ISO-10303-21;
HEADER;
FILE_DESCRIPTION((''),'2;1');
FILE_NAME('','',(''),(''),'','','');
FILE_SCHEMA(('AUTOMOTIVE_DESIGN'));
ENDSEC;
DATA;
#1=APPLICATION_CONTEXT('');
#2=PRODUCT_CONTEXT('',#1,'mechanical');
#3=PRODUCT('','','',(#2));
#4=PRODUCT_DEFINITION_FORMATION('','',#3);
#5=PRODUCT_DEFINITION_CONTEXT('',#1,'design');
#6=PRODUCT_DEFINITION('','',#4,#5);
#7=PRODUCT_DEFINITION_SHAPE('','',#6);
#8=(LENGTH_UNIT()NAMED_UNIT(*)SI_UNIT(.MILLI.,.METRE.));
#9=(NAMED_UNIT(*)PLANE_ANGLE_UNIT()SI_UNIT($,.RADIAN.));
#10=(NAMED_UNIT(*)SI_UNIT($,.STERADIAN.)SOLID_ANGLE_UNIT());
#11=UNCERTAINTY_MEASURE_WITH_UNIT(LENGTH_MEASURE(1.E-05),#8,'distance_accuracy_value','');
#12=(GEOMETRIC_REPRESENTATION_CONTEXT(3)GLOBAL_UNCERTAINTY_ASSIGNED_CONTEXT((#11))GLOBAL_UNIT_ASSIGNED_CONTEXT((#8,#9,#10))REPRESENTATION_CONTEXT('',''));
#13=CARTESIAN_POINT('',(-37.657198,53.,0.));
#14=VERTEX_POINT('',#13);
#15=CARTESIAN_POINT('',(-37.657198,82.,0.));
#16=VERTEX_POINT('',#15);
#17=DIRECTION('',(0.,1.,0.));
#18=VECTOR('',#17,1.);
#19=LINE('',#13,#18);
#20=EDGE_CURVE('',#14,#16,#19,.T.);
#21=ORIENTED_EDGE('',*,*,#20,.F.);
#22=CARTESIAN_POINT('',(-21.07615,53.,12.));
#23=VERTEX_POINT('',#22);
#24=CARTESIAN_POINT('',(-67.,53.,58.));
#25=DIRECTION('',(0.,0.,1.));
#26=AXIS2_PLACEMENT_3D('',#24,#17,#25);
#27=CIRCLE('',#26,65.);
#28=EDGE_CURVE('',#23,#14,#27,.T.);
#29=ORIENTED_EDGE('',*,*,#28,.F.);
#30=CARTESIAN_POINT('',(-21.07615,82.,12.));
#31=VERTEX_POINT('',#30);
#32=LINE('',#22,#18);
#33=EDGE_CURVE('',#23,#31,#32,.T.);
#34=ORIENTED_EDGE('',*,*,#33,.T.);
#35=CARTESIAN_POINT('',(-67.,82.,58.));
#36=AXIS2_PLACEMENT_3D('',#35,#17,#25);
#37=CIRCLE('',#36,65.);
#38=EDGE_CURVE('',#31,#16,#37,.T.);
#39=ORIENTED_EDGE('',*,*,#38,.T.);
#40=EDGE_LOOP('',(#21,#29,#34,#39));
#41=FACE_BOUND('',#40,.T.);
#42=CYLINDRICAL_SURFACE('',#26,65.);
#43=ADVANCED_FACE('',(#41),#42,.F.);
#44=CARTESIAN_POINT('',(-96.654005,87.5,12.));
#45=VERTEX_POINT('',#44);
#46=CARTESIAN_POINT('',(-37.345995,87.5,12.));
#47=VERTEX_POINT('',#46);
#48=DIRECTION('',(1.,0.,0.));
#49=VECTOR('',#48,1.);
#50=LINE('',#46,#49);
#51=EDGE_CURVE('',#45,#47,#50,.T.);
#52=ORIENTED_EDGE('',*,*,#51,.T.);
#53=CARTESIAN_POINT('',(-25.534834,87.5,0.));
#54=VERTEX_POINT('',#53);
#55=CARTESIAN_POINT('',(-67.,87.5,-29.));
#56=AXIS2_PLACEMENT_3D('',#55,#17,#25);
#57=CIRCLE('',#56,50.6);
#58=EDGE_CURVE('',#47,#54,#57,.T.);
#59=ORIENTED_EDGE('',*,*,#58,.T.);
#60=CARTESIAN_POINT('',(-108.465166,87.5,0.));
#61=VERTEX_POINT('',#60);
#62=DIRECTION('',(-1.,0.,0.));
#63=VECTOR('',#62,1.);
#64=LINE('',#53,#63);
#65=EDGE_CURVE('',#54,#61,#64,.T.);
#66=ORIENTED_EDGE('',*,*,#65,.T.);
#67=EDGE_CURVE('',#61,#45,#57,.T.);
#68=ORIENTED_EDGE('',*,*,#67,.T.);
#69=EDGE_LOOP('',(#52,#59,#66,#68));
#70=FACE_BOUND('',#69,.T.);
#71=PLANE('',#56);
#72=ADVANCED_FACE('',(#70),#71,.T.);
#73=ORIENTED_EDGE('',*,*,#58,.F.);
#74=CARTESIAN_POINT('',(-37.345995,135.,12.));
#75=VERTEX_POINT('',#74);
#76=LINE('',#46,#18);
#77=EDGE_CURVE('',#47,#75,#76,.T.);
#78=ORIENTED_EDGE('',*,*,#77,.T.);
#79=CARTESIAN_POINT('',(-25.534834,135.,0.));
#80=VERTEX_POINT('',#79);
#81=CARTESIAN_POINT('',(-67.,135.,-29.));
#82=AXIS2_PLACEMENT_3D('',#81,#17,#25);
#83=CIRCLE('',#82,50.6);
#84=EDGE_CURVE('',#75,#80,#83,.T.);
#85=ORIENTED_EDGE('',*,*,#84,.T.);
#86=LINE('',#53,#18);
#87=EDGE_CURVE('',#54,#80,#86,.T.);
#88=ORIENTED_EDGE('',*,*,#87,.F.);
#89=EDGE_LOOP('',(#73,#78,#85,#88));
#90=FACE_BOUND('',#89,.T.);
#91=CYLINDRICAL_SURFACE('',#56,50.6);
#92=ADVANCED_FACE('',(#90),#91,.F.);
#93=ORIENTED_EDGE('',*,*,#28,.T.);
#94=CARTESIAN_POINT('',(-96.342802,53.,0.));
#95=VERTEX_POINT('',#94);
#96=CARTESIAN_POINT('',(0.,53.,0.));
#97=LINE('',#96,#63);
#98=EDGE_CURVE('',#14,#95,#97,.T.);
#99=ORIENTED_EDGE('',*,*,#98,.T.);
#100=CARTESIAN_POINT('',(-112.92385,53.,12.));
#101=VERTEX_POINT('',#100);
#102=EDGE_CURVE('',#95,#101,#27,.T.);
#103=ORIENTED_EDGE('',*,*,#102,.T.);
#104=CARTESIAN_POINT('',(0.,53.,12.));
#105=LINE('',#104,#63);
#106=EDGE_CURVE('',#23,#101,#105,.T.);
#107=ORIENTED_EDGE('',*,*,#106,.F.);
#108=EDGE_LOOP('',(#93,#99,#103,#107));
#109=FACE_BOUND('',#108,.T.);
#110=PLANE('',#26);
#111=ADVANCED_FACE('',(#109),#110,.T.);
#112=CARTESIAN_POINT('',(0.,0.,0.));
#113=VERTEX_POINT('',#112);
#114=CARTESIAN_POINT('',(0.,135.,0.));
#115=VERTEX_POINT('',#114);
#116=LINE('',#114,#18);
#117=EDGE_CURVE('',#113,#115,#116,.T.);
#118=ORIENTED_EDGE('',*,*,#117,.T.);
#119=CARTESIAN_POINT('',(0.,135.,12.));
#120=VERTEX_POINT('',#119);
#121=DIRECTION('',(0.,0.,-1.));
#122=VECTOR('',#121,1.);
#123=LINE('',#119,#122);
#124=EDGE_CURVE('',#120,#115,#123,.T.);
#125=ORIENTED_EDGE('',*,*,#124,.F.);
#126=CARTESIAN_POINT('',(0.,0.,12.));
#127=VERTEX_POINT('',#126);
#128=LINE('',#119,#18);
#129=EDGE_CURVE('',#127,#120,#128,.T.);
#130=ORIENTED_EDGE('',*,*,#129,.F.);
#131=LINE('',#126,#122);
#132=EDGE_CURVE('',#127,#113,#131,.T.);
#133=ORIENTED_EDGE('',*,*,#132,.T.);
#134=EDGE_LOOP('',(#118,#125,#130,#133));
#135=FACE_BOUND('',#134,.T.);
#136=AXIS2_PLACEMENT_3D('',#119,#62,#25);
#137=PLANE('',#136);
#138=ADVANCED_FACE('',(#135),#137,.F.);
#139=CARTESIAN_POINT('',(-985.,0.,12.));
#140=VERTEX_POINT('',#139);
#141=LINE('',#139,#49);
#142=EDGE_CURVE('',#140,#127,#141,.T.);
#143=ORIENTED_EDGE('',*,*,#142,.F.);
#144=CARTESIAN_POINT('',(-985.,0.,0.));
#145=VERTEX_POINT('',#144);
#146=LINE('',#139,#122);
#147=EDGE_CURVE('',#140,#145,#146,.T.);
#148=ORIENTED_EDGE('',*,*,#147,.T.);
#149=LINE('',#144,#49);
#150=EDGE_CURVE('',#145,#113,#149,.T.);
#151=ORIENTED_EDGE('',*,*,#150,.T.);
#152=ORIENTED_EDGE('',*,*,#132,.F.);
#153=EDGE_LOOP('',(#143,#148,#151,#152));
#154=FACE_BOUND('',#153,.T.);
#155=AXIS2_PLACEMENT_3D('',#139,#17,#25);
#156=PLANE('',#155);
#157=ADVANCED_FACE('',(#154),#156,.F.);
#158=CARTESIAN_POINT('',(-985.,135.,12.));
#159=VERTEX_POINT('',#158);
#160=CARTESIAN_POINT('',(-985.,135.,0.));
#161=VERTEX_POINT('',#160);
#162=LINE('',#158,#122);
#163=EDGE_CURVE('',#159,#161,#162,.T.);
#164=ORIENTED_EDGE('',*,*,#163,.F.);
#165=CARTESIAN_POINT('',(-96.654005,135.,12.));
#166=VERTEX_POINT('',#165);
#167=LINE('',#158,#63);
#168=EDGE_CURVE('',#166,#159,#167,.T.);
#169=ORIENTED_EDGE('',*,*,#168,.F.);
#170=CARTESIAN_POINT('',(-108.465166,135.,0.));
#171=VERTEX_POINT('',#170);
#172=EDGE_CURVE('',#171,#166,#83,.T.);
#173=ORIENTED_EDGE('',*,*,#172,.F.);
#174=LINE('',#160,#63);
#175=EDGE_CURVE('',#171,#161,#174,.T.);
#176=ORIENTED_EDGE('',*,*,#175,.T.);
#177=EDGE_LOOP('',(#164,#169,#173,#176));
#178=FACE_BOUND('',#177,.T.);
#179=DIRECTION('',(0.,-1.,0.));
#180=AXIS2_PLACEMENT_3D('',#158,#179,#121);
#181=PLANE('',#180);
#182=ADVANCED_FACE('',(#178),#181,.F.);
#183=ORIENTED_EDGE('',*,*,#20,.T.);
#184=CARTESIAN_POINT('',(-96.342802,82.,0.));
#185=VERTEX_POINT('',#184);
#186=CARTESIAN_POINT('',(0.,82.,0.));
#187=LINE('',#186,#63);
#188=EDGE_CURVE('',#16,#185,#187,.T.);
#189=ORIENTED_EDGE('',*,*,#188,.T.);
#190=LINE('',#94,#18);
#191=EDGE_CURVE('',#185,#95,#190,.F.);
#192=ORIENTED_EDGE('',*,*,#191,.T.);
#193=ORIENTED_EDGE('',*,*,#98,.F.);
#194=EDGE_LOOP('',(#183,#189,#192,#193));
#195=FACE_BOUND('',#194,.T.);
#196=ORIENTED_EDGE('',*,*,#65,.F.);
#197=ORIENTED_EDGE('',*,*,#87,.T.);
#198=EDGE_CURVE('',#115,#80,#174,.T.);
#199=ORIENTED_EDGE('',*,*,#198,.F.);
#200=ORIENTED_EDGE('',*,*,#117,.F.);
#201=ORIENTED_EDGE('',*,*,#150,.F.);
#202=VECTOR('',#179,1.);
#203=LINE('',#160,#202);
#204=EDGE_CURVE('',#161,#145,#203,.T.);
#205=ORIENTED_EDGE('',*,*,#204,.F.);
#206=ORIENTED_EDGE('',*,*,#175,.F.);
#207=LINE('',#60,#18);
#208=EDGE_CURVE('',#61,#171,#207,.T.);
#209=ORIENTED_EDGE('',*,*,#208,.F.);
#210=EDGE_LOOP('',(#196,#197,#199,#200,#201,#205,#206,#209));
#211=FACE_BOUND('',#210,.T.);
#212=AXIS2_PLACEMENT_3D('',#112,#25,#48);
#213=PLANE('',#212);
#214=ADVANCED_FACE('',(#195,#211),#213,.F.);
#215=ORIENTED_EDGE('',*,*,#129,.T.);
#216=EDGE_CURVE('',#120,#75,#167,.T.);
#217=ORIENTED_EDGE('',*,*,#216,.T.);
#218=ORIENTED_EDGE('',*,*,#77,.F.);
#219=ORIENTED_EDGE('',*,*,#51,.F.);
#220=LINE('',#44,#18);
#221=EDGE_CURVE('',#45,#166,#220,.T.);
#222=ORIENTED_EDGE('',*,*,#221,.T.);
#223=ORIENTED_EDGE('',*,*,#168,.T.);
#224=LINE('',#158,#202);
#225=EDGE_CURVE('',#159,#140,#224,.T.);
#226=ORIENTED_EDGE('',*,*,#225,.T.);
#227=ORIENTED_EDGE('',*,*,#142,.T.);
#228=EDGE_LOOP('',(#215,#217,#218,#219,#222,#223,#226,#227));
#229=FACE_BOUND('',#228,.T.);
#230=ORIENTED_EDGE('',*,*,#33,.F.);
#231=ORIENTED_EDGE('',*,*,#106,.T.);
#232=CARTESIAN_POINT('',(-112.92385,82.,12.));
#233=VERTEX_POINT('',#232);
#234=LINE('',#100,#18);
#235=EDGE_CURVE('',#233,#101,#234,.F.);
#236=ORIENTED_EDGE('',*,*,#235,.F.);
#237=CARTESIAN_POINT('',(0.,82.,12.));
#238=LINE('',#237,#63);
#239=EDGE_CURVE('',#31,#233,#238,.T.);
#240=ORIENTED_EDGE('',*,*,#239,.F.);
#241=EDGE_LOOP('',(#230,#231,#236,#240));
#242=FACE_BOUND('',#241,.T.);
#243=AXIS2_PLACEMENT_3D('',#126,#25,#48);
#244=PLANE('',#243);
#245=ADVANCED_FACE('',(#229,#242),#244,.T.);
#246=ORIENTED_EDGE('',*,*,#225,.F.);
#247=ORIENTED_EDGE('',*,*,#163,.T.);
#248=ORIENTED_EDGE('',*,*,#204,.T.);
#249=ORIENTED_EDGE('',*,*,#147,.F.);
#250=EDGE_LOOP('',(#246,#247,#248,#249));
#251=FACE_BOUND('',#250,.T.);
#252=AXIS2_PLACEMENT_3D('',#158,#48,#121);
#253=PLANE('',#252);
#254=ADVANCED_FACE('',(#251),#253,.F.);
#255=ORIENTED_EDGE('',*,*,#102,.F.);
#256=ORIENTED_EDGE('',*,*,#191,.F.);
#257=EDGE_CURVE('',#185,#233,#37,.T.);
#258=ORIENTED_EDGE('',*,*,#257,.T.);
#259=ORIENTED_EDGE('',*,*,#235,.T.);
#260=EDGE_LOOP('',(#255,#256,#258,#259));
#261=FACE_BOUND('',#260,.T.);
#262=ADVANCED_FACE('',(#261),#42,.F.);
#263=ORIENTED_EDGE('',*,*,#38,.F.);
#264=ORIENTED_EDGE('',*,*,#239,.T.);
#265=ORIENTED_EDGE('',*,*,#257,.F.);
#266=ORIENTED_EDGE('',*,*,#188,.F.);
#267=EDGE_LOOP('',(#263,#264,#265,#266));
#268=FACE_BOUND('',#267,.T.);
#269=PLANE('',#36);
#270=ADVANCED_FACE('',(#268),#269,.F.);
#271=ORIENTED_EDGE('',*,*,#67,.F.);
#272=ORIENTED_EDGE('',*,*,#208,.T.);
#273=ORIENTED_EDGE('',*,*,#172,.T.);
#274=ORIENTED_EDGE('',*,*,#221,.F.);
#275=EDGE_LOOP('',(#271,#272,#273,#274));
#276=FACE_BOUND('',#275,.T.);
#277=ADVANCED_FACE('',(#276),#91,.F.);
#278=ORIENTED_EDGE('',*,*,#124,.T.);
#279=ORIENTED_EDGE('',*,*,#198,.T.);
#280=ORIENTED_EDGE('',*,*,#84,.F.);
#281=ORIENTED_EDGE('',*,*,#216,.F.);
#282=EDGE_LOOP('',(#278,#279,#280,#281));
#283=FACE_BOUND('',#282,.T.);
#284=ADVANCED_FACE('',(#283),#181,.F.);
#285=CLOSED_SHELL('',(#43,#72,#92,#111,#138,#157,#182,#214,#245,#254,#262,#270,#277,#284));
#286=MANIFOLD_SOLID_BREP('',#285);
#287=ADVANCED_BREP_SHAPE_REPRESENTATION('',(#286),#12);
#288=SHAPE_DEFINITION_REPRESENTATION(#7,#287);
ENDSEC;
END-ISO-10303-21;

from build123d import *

# Parameters (mm, degrees)
CROQUIS1_W              = 985
CROQUIS1_H              = 135
SALIENTE_EXTRUIR1_DEPTH = 12
CORTAR_EXTRUIR1_DEPTH   = 47.5
CROQUIS3_R              = 65
CORTAR_EXTRUIR2_DEPTH   = 29


with BuildPart() as part:
    # Croquis1 → Saliente-Extruir1 (new body)
    with BuildSketch(Plane.XY):
        with Locations((-492.5, 67.5)):
            Rectangle(CROQUIS1_W, CROQUIS1_H)
    extrude(amount=SALIENTE_EXTRUIR1_DEPTH)

    # Croquis2 → Cortar-Extruir1 (cut)
    with BuildSketch(Plane(origin=(0, 135, 0), x_dir=(1, 0, 0), z_dir=(0, 1, 0))):
        with BuildLine():
            Line((-25.534833896, 0), (-108.465166104, 0))
            ThreePointArc((-108.465166104, 0), (-103.062225626, -6.494730354), (-96.654004789, -12))
            Line((-96.654004789, -12), (-37.345995211, -12))
            ThreePointArc((-37.345995211, -12), (-30.937774374, -6.494730354), (-25.534833896, 0))
        make_face()
    extrude(amount=-CORTAR_EXTRUIR1_DEPTH, mode=Mode.SUBTRACT)

    # Croquis3 → Cortar-Extruir2 (cut)
    with BuildSketch(Plane(origin=(0, 82, 0), x_dir=(1, 0, 0), z_dir=(0, 1, 0))):
        with Locations((-67, -58)):
            Circle(CROQUIS3_R)
    extrude(amount=-CORTAR_EXTRUIR2_DEPTH, mode=Mode.SUBTRACT)


solid = part.part
